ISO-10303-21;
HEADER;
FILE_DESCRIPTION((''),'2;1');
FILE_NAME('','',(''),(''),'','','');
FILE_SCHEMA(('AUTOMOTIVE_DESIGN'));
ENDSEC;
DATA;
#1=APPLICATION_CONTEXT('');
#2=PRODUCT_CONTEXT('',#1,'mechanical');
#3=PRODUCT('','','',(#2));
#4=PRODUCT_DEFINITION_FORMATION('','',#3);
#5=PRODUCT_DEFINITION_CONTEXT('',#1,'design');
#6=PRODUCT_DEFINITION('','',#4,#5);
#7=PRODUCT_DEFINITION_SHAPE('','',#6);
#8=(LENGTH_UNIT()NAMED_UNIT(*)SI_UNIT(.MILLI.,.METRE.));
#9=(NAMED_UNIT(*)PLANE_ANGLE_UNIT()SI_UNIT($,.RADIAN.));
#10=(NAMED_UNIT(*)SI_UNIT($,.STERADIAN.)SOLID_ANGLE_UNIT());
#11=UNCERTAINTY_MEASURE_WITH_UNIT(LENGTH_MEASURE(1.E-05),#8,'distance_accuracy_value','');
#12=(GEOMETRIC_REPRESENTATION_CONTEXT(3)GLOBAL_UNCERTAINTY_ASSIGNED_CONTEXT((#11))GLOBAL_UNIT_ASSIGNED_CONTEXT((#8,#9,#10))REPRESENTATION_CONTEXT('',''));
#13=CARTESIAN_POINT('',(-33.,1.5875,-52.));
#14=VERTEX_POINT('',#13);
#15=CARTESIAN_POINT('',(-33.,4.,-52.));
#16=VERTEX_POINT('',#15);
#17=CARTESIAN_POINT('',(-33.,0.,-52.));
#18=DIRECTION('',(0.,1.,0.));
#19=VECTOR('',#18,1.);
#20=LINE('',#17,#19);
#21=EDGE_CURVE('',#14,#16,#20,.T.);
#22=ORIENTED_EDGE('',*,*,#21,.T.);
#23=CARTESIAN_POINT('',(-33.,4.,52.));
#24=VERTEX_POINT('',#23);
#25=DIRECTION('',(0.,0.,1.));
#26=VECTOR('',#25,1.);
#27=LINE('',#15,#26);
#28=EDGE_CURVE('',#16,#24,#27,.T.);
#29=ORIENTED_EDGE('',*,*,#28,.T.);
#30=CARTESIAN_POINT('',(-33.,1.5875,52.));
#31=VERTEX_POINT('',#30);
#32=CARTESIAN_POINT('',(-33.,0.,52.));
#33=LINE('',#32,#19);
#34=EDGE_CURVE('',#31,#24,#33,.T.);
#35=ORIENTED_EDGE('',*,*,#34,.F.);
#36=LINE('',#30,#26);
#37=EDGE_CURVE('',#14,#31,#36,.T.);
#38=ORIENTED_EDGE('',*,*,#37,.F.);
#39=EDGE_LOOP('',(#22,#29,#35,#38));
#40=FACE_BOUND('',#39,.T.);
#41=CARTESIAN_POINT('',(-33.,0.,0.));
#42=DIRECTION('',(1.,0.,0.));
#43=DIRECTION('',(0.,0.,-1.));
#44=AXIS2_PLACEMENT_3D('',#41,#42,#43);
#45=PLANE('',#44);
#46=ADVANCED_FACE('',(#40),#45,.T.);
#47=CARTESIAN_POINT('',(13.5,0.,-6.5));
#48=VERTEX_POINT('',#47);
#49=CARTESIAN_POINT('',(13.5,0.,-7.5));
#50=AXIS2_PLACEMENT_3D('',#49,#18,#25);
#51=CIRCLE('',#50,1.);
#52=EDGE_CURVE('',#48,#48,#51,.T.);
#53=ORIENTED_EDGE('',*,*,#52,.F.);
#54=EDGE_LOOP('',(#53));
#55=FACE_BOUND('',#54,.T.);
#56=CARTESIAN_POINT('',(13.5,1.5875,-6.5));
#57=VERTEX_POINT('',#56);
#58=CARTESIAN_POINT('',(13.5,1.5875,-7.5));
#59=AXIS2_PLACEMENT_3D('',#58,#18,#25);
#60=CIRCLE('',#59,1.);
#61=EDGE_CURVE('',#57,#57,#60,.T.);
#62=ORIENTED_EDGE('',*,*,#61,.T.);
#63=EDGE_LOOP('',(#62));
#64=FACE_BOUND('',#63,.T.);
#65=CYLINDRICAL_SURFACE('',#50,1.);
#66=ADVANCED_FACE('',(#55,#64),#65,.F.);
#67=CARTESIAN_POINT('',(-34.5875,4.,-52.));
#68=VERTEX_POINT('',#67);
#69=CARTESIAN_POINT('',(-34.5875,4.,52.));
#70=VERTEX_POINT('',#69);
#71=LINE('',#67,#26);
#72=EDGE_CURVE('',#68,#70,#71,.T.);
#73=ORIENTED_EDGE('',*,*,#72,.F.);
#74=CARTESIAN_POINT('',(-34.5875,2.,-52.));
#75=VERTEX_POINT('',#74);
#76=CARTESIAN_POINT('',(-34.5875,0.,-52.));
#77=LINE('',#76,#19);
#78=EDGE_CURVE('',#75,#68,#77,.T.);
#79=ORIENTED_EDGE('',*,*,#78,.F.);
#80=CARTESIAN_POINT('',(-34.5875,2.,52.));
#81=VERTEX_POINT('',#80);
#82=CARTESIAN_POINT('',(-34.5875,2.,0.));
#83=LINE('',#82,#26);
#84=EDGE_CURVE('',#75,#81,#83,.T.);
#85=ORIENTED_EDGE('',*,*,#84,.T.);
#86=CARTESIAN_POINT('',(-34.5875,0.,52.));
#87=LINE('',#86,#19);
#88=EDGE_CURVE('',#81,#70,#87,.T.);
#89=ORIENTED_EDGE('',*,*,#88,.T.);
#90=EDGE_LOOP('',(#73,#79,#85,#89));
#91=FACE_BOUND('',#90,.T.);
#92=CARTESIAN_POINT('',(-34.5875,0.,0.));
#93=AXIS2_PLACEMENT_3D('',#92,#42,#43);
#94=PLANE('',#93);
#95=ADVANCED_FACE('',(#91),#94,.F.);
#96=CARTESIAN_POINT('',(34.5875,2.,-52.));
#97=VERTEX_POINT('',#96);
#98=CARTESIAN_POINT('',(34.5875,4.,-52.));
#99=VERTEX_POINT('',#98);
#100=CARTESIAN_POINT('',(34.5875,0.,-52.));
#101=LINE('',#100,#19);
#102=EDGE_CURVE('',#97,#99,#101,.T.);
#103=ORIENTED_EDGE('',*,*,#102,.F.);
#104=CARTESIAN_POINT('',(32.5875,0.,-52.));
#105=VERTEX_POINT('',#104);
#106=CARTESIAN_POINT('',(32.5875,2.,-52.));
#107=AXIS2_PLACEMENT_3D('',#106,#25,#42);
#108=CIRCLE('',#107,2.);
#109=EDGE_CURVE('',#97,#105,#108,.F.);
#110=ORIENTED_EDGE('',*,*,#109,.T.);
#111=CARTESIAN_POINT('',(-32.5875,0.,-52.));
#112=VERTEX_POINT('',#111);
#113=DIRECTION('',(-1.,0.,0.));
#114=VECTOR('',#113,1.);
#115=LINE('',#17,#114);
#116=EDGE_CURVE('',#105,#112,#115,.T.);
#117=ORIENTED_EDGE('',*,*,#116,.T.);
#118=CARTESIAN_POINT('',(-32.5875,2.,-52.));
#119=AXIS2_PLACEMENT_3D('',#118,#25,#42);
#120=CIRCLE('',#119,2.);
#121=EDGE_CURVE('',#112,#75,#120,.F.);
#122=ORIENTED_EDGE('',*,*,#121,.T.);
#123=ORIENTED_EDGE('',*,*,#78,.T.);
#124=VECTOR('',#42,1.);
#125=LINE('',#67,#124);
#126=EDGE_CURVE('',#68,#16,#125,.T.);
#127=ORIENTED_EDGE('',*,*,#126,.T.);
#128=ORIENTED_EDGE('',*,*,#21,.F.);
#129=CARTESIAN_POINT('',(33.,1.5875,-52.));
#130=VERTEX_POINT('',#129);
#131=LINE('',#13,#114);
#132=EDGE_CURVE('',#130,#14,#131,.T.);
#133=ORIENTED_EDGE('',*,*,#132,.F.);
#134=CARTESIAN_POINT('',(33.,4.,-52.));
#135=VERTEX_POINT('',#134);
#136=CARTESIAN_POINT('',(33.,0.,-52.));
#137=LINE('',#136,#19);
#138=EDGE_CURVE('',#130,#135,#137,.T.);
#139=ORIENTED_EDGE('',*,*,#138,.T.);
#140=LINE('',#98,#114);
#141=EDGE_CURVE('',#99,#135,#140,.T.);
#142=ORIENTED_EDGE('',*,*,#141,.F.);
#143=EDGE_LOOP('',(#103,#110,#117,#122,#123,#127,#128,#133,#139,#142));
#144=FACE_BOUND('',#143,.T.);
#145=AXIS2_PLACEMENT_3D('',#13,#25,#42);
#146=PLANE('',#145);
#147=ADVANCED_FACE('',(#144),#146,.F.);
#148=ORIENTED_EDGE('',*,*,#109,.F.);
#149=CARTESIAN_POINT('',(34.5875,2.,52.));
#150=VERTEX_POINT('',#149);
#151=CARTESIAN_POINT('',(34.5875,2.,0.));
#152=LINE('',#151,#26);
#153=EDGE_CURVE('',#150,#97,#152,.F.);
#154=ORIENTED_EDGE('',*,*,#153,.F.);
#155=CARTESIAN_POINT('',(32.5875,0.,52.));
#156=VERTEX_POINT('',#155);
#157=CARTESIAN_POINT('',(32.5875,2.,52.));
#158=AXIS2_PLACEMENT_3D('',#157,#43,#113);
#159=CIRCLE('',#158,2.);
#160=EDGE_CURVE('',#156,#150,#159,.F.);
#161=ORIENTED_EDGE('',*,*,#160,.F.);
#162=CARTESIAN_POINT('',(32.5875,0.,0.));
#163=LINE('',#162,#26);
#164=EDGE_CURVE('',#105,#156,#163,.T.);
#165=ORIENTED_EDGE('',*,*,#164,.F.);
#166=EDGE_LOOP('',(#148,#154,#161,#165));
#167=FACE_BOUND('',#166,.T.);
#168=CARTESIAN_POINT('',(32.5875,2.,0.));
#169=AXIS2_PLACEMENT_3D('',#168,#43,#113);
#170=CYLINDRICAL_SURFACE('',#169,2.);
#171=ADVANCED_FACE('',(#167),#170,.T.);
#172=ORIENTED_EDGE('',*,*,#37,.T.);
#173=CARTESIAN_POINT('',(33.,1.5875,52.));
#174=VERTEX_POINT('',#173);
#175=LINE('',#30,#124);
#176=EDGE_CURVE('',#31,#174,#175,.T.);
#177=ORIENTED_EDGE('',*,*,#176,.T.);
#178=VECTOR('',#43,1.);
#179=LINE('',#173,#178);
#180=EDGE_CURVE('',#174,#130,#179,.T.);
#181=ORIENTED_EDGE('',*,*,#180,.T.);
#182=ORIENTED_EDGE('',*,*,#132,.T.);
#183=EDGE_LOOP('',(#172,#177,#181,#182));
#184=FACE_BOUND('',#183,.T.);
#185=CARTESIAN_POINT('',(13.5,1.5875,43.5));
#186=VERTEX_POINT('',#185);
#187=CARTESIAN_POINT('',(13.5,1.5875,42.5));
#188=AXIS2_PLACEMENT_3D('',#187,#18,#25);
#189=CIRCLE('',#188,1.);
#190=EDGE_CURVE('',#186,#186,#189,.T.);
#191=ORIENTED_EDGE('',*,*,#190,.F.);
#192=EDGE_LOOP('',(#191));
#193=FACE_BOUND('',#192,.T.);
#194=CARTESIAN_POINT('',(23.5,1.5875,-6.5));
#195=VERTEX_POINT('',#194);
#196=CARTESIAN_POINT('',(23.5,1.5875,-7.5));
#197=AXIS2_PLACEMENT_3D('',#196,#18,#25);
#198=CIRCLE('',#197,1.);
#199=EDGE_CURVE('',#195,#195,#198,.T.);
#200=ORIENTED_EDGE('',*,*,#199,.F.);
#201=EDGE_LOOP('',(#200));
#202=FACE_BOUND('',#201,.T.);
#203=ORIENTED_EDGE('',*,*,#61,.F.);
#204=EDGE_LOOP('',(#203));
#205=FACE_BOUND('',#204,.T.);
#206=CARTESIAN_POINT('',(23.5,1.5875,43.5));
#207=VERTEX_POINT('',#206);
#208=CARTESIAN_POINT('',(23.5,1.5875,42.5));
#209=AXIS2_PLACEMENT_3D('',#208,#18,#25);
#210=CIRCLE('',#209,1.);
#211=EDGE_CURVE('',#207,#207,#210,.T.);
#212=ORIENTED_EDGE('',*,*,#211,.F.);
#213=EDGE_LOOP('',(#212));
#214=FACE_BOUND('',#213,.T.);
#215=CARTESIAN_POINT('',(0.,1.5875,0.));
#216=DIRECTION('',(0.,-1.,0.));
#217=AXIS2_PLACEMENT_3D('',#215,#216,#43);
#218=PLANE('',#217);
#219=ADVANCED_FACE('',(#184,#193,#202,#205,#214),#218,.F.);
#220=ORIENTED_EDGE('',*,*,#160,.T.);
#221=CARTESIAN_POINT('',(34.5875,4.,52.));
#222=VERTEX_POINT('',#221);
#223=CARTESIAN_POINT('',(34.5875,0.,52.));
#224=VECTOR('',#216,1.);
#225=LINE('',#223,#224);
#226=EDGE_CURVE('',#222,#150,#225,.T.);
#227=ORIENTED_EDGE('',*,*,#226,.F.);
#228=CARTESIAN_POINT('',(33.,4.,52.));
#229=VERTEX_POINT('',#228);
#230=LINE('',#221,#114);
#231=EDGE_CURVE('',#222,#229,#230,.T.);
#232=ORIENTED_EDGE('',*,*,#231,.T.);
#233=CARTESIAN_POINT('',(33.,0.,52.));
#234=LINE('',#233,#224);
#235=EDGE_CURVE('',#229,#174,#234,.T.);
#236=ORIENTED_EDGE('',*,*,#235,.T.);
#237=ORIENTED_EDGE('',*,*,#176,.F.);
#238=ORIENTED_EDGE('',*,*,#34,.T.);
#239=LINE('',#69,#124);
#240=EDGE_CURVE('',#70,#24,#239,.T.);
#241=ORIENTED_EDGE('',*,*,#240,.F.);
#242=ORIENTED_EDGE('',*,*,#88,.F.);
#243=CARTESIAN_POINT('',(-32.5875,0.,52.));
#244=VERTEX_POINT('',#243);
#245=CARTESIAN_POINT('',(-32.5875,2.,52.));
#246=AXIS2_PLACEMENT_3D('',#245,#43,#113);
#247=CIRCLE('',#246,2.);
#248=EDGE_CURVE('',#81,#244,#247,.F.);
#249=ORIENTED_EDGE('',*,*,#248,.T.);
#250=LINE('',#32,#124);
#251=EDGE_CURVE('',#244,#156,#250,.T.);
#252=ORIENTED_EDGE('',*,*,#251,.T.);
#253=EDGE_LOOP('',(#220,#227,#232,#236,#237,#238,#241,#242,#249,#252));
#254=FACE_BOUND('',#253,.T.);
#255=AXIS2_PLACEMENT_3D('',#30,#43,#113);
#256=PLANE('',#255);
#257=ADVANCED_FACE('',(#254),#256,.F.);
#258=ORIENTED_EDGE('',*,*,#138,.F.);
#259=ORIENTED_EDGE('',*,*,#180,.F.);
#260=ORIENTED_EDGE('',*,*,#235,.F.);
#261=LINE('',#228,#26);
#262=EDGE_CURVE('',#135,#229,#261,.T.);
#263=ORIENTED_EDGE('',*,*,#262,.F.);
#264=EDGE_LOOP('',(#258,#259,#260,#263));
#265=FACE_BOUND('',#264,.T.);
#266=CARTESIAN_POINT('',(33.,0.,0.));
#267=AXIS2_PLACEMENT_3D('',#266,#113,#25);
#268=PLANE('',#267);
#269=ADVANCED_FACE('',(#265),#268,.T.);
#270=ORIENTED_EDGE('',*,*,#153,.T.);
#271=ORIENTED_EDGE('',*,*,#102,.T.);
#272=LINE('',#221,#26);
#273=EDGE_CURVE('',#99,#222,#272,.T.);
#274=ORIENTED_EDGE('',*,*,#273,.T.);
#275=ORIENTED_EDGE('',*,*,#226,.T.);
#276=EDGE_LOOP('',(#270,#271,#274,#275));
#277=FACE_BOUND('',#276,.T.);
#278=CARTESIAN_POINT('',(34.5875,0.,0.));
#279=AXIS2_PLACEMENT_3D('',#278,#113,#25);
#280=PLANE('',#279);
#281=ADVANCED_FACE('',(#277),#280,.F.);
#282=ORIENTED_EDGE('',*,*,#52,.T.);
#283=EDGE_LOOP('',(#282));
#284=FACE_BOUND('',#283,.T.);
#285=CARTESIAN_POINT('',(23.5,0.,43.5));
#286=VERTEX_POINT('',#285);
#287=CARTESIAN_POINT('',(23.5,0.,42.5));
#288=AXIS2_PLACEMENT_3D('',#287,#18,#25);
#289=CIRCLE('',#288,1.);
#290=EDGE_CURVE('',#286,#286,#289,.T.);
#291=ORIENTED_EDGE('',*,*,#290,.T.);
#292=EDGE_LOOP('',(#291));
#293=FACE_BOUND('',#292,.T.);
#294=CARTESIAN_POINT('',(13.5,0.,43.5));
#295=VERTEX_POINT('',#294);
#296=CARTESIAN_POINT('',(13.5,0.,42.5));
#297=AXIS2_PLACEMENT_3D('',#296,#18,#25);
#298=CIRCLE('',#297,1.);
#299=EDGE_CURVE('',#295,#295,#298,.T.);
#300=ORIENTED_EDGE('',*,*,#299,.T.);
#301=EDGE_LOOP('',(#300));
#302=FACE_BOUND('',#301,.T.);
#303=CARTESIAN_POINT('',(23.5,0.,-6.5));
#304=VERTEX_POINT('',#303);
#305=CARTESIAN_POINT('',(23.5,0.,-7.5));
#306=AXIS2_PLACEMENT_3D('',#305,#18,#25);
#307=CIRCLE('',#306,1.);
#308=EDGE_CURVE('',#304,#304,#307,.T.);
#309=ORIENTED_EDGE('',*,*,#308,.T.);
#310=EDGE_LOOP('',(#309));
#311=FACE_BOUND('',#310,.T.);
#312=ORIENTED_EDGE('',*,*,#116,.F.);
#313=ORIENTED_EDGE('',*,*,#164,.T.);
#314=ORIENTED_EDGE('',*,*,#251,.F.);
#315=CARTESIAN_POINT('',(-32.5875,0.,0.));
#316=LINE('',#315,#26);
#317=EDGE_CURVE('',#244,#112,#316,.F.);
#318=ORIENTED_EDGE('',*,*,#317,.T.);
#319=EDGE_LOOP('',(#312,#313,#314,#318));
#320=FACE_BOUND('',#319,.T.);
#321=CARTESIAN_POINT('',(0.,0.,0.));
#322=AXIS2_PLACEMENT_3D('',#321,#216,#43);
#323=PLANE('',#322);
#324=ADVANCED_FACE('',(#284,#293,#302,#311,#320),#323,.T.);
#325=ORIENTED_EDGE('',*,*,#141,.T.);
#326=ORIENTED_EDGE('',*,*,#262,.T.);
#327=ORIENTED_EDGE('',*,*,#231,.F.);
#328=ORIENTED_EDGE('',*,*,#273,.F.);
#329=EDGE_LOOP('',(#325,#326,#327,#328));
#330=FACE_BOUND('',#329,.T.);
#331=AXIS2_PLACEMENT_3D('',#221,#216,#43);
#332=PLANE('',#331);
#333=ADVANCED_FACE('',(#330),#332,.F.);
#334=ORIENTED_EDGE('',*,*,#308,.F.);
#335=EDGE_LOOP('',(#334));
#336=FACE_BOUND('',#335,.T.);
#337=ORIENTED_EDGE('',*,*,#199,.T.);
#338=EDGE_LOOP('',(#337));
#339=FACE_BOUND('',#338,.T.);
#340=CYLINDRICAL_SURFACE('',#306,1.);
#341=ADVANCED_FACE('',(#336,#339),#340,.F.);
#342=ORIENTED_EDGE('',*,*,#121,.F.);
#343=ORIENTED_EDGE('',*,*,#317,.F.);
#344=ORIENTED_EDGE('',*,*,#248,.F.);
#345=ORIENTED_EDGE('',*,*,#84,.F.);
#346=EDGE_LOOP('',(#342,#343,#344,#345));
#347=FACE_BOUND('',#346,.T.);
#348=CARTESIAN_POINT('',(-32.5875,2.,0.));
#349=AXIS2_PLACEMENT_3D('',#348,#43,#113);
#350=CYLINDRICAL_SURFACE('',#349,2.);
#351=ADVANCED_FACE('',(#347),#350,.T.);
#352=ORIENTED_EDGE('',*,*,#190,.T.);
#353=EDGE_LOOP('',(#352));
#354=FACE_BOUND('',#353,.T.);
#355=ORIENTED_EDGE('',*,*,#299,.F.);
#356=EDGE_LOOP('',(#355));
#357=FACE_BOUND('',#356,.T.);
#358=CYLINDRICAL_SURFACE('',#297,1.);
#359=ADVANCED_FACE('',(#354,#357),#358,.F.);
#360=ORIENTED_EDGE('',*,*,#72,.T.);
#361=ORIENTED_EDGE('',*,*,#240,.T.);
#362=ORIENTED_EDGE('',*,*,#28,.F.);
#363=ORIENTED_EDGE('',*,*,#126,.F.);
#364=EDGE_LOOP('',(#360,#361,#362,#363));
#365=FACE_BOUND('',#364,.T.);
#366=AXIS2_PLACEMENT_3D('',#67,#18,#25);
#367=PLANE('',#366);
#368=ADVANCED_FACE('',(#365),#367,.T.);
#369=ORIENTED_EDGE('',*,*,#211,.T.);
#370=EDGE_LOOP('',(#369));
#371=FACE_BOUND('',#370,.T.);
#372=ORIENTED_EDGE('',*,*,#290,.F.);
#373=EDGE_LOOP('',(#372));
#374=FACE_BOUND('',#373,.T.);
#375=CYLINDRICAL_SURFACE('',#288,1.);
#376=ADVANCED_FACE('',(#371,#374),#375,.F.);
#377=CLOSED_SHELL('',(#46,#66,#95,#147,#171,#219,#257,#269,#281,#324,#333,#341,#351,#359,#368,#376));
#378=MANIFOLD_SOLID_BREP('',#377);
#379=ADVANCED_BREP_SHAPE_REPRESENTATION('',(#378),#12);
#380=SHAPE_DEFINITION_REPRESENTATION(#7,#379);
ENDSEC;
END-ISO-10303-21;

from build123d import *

# Parameters (mm, degrees)
ESQUISSE1_W             = 66
ESQUISSE1_H             = 104
BOSS_EXTRU_1_DEPTH      = 1.5875
ESQUISSE2_W             = 104
ESQUISSE2_H             = 4
BOSS_EXTRU_2_DEPTH      = 1.5875
ESQUISSE3_W             = 104
ESQUISSE3_H             = 4
BOSS_EXTRU_3_DEPTH      = 1.5875
CONG_2_R                = 2
CONG_3_R                = 2
ESQUISSE4_R             = 1
ENL_V_MAT_EXTRU_1_DEPTH = 1.5875


with BuildPart() as part:
    # Esquisse1 → Boss.-Extru.1 (new body)
    with BuildSketch(Plane(origin=(0, 0, 0), x_dir=(1, 0, 0), z_dir=(0, 1, 0))):
        Rectangle(ESQUISSE1_W, ESQUISSE1_H)
    extrude(amount=BOSS_EXTRU_1_DEPTH)

    # Esquisse2 → Boss.-Extru.2 (add)
    with BuildSketch(Plane.ZY.offset(33)):
        with Locations((0, 2)):
            Rectangle(ESQUISSE2_W, ESQUISSE2_H)
    extrude(amount=BOSS_EXTRU_2_DEPTH)

    # Esquisse3 → Boss.-Extru.3 (add)
    with BuildSketch(Plane(origin=(33, 0, 0), x_dir=(0, 0, -1), z_dir=(1, 0, 0))):
        with Locations((0, 2)):
            Rectangle(ESQUISSE3_W, ESQUISSE3_H)
    extrude(amount=BOSS_EXTRU_3_DEPTH)

    # Congé2
    cong_2_edges = [part.edges().sort_by_distance(p)[0] for p in [
        (34.5875, 0, 0),
    ]]
    fillet(cong_2_edges, radius=CONG_2_R)

    # Congé3
    cong_3_edges = [part.edges().sort_by_distance(p)[0] for p in [
        (-34.5875, 0, 0),
    ]]
    fillet(cong_3_edges, radius=CONG_3_R)

    # Esquisse4 → Enlèv. mat.-Extru.1 (cut)
    with BuildSketch(Plane(origin=(0, 1.5875, 0), x_dir=(1, 0, 0), z_dir=(0, 1, 0))):
        with Locations(Location((13.5, 7.5, 0), (0, 0, 270))):
            Circle(ESQUISSE4_R)
        with Locations(Location((23.5, 7.5, 0), (0, 0, 270))):
            Circle(ESQUISSE4_R)
        with Locations(Location((23.5, -42.5, 0), (0, 0, 270))):
            Circle(ESQUISSE4_R)
        with Locations(Location((13.5, -42.5, 0), (0, 0, 270))):
            Circle(ESQUISSE4_R)
    extrude(amount=-ENL_V_MAT_EXTRU_1_DEPTH, mode=Mode.SUBTRACT)


solid = part.part
